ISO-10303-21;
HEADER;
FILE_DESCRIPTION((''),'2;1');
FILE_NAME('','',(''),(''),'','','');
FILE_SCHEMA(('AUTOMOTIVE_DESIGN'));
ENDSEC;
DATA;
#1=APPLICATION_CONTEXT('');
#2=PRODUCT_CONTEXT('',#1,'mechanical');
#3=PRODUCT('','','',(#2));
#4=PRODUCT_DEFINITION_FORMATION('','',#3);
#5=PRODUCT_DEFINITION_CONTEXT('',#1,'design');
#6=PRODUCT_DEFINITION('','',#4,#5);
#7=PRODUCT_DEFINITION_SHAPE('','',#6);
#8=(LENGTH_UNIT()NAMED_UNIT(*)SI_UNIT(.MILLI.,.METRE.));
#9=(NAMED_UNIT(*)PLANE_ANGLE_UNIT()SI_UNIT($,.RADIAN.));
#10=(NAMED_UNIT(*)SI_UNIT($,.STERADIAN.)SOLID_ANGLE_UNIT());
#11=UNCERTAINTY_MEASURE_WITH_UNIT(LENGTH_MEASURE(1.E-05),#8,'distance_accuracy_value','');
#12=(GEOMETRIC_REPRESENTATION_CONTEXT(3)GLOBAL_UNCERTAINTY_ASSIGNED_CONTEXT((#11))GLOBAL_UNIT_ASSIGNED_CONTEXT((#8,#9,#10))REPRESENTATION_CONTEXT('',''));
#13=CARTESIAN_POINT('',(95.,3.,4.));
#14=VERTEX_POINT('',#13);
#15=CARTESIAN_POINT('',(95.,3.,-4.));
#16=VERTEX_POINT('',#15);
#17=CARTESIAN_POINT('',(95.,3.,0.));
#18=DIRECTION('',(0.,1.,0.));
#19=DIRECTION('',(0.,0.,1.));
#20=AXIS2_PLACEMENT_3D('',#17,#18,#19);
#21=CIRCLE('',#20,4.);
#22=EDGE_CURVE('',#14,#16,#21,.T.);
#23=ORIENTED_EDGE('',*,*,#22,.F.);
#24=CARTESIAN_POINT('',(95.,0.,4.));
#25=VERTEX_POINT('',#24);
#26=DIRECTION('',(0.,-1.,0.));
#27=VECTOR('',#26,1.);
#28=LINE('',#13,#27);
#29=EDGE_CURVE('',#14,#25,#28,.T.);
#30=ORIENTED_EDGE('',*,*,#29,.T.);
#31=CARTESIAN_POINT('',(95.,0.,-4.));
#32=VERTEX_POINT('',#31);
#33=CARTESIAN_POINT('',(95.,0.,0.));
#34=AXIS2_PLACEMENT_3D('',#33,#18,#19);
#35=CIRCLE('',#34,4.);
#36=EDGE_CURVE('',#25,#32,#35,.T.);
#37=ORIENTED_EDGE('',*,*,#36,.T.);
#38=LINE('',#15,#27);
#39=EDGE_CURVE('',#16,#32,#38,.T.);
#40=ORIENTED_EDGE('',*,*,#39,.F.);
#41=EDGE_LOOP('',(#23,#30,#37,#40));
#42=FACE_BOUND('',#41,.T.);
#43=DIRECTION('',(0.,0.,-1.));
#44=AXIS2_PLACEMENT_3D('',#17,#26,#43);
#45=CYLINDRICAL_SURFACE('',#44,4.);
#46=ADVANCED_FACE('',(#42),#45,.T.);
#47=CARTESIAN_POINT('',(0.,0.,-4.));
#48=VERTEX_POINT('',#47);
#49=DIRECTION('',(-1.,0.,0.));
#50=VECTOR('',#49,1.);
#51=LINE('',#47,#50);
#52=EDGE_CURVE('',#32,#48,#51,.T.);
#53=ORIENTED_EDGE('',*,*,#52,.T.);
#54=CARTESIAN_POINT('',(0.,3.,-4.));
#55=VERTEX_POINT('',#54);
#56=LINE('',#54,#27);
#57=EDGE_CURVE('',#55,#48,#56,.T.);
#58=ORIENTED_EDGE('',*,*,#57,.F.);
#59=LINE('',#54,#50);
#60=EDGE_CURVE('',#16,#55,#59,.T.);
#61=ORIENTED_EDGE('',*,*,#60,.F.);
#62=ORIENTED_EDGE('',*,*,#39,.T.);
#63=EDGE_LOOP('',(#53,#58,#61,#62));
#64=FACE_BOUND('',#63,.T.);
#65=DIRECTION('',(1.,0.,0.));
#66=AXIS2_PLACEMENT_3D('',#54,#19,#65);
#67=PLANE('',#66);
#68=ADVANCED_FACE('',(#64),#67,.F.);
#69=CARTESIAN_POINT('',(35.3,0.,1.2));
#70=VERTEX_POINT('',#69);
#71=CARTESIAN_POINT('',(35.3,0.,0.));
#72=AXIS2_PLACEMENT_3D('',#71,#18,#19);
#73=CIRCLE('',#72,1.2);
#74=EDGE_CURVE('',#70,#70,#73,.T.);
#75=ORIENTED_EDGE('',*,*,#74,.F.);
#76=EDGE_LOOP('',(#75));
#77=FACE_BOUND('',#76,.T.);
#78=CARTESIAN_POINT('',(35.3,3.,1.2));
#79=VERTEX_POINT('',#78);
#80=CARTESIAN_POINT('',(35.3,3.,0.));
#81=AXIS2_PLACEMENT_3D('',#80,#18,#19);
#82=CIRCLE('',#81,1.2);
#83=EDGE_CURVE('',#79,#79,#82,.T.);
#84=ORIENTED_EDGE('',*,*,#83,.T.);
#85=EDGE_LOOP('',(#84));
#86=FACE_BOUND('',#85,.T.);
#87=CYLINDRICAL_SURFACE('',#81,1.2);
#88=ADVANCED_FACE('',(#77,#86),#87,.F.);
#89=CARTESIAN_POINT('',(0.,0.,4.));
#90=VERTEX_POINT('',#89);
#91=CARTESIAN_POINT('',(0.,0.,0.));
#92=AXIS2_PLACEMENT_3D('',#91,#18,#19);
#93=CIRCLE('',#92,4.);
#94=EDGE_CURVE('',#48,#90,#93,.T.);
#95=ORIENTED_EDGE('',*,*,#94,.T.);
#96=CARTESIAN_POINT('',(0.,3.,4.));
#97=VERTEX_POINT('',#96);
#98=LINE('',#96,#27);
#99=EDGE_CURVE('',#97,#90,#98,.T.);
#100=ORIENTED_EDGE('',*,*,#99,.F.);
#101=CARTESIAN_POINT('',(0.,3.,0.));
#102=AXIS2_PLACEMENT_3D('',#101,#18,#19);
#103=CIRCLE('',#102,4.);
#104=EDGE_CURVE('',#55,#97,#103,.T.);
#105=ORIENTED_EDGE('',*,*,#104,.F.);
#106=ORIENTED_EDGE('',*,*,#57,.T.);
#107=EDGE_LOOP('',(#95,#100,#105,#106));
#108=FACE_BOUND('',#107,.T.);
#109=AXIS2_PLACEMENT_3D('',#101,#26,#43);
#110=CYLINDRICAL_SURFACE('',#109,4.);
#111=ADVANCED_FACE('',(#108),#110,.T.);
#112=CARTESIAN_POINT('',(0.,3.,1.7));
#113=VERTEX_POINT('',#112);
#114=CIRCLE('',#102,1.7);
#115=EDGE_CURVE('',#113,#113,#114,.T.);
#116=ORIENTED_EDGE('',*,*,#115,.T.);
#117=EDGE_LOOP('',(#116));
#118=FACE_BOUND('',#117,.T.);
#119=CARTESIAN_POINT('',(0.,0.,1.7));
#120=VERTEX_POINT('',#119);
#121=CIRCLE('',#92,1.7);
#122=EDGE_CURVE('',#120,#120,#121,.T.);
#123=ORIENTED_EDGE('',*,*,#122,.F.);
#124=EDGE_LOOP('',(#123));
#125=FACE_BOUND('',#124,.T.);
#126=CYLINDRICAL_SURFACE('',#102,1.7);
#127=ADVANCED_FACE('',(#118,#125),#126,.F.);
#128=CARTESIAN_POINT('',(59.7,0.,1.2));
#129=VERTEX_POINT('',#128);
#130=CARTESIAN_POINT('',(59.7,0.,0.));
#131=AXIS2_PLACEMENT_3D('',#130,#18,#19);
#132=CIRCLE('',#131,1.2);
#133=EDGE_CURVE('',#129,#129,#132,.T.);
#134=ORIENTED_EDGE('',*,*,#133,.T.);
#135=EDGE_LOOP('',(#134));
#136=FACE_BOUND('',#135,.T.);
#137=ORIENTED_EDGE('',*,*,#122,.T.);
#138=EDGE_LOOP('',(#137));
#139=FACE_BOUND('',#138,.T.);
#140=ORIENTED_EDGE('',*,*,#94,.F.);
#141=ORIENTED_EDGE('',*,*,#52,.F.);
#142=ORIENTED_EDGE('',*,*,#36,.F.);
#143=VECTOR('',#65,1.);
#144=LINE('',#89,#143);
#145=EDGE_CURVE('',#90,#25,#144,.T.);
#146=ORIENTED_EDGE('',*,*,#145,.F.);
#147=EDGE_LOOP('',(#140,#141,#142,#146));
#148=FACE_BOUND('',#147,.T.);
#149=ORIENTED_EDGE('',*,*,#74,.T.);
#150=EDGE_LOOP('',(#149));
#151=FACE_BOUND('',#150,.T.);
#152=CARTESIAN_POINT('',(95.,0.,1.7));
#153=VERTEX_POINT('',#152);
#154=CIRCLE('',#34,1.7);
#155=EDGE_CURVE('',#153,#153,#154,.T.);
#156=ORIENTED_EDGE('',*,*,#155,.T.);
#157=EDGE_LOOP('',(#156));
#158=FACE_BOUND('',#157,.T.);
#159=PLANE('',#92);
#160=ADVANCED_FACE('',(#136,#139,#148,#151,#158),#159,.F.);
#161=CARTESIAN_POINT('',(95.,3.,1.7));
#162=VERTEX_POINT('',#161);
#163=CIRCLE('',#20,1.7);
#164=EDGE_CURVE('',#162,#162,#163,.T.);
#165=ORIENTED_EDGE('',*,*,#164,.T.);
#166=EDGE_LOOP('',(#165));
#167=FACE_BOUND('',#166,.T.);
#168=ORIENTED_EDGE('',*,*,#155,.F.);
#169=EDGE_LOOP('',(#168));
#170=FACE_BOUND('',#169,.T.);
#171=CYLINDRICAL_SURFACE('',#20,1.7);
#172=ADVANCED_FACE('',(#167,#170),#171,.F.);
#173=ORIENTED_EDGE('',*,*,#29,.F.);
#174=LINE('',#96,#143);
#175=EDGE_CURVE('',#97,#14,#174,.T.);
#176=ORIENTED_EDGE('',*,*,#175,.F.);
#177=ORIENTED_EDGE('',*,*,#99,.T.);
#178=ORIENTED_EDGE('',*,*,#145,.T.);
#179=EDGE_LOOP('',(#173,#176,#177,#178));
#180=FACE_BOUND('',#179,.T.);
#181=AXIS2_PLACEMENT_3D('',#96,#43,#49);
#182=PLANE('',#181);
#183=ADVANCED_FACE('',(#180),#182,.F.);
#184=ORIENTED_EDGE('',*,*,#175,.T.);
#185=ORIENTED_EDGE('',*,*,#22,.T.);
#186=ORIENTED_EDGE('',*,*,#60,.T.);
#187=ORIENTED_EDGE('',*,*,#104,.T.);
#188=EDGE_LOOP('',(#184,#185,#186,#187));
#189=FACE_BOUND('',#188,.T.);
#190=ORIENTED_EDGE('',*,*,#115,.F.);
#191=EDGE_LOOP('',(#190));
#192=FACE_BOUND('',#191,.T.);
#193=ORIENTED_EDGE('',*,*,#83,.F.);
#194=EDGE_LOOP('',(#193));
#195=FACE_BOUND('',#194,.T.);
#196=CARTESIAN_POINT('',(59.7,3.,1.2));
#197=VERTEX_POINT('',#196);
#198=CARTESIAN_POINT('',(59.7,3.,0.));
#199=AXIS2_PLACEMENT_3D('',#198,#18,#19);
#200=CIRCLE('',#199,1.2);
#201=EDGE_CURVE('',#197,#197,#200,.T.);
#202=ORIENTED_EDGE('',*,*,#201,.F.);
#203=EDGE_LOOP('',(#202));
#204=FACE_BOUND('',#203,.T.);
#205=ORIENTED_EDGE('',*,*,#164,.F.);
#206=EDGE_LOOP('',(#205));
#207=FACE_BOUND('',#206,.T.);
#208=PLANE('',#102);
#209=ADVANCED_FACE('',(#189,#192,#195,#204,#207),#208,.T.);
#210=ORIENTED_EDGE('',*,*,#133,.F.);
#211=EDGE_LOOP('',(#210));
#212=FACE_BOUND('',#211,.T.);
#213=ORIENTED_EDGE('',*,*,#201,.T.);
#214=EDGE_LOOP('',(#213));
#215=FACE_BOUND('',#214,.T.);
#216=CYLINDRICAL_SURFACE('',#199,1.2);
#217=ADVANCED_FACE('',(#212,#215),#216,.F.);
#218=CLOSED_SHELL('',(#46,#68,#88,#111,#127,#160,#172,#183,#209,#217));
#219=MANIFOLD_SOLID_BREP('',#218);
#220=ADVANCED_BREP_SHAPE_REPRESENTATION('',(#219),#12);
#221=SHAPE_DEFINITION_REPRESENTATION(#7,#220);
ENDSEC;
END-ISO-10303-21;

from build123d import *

# Parameters (mm, degrees)
BOSS_EXTRUDE1_DEPTH  = 3
M3_CLEARANCE_HOLE1_D = 3.4
M2_CLEARANCE_HOLE1_D = 2.4


with BuildPart() as part:
    # Sketch1 → Boss-Extrude1 (new body)
    with BuildSketch(Plane(origin=(0, 0, 0), x_dir=(1, 0, 0), z_dir=(0, 1, 0))):
        with BuildLine():
            Line((0, 4), (95, 4))
            ThreePointArc((95, 4), (99, 0), (95, -4))
            Line((95, -4), (0, -4))
            ThreePointArc((0, -4), (-4, 0), (0, 4))
        make_face()
    extrude(amount=BOSS_EXTRUDE1_DEPTH)

    # M3 Clearance Hole1 (through all)
    with Locations(Plane(origin=(0, 3, 0), x_dir=(1, 0, 0), z_dir=(0, 1, 0))):
        with Locations((95, 0), (0, 0)):
            Hole(M3_CLEARANCE_HOLE1_D / 2)

    # M2 Clearance Hole1 (through all)
    with Locations(Plane(origin=(0, 3, 0), x_dir=(1, 0, 0), z_dir=(0, 1, 0))):
        with Locations((59.7, 0), (35.3, 0)):
            Hole(M2_CLEARANCE_HOLE1_D / 2)


solid = part.part
